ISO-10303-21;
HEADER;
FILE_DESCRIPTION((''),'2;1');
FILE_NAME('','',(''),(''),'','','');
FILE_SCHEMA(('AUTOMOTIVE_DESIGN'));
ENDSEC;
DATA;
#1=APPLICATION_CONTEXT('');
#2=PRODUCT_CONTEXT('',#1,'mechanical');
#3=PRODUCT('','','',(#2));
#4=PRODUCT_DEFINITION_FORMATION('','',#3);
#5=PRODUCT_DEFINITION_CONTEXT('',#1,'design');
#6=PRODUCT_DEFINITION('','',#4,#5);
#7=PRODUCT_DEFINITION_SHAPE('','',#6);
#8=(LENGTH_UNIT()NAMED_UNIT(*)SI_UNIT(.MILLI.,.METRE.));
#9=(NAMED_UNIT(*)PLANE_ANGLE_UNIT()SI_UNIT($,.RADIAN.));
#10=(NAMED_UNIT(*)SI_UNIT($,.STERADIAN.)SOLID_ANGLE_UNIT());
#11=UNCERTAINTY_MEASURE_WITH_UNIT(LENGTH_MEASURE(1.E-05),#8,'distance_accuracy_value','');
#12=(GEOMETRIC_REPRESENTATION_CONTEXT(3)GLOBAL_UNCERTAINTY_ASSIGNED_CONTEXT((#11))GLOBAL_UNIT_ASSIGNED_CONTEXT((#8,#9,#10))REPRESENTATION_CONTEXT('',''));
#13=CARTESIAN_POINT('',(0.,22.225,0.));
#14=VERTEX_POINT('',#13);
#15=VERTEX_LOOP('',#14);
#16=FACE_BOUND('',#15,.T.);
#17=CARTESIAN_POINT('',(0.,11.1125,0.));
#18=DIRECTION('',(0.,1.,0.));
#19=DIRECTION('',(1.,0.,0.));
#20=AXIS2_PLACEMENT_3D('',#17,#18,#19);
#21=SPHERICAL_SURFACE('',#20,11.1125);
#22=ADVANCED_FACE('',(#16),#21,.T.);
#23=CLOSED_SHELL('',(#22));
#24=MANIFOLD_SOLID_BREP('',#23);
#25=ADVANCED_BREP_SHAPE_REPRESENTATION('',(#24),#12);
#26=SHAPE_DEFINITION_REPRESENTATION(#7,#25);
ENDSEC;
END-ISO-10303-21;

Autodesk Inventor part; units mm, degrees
ref_plane "YZ Plane" through (0, 0, 0) normal (1, 0, 0) x (0, 1, 0)
ref_plane "XZ Plane" through (0, 0, 0) normal (0, 1, 0) x (-1, 0, 0)
ref_plane "XY Plane" through (0, 0, 0) normal (0, 0, 1) x (1, 0, 0)
sketch "Sketch1" plane through (0, 0, 0) normal (0, 0, 1) x (1, 0, 0)
  line L0 (0, 0) -> (0, 22.225)
  arc A0 (0, 0) -> (0, 22.225) centre (0, 11.1125) ccw
  point P0 (11.1125, 11.1125)
  dimension "d0" = 22.225
  dimension "d1" = 11.1125
  dimension "d2" = 11.1125
revolve "Revolution1" add sketch "Sketch1" angle 360 about axis through (0, 0, 0) along (0, 1, 0)
equation "\"d2\" = d1"
properties part number "ball"
